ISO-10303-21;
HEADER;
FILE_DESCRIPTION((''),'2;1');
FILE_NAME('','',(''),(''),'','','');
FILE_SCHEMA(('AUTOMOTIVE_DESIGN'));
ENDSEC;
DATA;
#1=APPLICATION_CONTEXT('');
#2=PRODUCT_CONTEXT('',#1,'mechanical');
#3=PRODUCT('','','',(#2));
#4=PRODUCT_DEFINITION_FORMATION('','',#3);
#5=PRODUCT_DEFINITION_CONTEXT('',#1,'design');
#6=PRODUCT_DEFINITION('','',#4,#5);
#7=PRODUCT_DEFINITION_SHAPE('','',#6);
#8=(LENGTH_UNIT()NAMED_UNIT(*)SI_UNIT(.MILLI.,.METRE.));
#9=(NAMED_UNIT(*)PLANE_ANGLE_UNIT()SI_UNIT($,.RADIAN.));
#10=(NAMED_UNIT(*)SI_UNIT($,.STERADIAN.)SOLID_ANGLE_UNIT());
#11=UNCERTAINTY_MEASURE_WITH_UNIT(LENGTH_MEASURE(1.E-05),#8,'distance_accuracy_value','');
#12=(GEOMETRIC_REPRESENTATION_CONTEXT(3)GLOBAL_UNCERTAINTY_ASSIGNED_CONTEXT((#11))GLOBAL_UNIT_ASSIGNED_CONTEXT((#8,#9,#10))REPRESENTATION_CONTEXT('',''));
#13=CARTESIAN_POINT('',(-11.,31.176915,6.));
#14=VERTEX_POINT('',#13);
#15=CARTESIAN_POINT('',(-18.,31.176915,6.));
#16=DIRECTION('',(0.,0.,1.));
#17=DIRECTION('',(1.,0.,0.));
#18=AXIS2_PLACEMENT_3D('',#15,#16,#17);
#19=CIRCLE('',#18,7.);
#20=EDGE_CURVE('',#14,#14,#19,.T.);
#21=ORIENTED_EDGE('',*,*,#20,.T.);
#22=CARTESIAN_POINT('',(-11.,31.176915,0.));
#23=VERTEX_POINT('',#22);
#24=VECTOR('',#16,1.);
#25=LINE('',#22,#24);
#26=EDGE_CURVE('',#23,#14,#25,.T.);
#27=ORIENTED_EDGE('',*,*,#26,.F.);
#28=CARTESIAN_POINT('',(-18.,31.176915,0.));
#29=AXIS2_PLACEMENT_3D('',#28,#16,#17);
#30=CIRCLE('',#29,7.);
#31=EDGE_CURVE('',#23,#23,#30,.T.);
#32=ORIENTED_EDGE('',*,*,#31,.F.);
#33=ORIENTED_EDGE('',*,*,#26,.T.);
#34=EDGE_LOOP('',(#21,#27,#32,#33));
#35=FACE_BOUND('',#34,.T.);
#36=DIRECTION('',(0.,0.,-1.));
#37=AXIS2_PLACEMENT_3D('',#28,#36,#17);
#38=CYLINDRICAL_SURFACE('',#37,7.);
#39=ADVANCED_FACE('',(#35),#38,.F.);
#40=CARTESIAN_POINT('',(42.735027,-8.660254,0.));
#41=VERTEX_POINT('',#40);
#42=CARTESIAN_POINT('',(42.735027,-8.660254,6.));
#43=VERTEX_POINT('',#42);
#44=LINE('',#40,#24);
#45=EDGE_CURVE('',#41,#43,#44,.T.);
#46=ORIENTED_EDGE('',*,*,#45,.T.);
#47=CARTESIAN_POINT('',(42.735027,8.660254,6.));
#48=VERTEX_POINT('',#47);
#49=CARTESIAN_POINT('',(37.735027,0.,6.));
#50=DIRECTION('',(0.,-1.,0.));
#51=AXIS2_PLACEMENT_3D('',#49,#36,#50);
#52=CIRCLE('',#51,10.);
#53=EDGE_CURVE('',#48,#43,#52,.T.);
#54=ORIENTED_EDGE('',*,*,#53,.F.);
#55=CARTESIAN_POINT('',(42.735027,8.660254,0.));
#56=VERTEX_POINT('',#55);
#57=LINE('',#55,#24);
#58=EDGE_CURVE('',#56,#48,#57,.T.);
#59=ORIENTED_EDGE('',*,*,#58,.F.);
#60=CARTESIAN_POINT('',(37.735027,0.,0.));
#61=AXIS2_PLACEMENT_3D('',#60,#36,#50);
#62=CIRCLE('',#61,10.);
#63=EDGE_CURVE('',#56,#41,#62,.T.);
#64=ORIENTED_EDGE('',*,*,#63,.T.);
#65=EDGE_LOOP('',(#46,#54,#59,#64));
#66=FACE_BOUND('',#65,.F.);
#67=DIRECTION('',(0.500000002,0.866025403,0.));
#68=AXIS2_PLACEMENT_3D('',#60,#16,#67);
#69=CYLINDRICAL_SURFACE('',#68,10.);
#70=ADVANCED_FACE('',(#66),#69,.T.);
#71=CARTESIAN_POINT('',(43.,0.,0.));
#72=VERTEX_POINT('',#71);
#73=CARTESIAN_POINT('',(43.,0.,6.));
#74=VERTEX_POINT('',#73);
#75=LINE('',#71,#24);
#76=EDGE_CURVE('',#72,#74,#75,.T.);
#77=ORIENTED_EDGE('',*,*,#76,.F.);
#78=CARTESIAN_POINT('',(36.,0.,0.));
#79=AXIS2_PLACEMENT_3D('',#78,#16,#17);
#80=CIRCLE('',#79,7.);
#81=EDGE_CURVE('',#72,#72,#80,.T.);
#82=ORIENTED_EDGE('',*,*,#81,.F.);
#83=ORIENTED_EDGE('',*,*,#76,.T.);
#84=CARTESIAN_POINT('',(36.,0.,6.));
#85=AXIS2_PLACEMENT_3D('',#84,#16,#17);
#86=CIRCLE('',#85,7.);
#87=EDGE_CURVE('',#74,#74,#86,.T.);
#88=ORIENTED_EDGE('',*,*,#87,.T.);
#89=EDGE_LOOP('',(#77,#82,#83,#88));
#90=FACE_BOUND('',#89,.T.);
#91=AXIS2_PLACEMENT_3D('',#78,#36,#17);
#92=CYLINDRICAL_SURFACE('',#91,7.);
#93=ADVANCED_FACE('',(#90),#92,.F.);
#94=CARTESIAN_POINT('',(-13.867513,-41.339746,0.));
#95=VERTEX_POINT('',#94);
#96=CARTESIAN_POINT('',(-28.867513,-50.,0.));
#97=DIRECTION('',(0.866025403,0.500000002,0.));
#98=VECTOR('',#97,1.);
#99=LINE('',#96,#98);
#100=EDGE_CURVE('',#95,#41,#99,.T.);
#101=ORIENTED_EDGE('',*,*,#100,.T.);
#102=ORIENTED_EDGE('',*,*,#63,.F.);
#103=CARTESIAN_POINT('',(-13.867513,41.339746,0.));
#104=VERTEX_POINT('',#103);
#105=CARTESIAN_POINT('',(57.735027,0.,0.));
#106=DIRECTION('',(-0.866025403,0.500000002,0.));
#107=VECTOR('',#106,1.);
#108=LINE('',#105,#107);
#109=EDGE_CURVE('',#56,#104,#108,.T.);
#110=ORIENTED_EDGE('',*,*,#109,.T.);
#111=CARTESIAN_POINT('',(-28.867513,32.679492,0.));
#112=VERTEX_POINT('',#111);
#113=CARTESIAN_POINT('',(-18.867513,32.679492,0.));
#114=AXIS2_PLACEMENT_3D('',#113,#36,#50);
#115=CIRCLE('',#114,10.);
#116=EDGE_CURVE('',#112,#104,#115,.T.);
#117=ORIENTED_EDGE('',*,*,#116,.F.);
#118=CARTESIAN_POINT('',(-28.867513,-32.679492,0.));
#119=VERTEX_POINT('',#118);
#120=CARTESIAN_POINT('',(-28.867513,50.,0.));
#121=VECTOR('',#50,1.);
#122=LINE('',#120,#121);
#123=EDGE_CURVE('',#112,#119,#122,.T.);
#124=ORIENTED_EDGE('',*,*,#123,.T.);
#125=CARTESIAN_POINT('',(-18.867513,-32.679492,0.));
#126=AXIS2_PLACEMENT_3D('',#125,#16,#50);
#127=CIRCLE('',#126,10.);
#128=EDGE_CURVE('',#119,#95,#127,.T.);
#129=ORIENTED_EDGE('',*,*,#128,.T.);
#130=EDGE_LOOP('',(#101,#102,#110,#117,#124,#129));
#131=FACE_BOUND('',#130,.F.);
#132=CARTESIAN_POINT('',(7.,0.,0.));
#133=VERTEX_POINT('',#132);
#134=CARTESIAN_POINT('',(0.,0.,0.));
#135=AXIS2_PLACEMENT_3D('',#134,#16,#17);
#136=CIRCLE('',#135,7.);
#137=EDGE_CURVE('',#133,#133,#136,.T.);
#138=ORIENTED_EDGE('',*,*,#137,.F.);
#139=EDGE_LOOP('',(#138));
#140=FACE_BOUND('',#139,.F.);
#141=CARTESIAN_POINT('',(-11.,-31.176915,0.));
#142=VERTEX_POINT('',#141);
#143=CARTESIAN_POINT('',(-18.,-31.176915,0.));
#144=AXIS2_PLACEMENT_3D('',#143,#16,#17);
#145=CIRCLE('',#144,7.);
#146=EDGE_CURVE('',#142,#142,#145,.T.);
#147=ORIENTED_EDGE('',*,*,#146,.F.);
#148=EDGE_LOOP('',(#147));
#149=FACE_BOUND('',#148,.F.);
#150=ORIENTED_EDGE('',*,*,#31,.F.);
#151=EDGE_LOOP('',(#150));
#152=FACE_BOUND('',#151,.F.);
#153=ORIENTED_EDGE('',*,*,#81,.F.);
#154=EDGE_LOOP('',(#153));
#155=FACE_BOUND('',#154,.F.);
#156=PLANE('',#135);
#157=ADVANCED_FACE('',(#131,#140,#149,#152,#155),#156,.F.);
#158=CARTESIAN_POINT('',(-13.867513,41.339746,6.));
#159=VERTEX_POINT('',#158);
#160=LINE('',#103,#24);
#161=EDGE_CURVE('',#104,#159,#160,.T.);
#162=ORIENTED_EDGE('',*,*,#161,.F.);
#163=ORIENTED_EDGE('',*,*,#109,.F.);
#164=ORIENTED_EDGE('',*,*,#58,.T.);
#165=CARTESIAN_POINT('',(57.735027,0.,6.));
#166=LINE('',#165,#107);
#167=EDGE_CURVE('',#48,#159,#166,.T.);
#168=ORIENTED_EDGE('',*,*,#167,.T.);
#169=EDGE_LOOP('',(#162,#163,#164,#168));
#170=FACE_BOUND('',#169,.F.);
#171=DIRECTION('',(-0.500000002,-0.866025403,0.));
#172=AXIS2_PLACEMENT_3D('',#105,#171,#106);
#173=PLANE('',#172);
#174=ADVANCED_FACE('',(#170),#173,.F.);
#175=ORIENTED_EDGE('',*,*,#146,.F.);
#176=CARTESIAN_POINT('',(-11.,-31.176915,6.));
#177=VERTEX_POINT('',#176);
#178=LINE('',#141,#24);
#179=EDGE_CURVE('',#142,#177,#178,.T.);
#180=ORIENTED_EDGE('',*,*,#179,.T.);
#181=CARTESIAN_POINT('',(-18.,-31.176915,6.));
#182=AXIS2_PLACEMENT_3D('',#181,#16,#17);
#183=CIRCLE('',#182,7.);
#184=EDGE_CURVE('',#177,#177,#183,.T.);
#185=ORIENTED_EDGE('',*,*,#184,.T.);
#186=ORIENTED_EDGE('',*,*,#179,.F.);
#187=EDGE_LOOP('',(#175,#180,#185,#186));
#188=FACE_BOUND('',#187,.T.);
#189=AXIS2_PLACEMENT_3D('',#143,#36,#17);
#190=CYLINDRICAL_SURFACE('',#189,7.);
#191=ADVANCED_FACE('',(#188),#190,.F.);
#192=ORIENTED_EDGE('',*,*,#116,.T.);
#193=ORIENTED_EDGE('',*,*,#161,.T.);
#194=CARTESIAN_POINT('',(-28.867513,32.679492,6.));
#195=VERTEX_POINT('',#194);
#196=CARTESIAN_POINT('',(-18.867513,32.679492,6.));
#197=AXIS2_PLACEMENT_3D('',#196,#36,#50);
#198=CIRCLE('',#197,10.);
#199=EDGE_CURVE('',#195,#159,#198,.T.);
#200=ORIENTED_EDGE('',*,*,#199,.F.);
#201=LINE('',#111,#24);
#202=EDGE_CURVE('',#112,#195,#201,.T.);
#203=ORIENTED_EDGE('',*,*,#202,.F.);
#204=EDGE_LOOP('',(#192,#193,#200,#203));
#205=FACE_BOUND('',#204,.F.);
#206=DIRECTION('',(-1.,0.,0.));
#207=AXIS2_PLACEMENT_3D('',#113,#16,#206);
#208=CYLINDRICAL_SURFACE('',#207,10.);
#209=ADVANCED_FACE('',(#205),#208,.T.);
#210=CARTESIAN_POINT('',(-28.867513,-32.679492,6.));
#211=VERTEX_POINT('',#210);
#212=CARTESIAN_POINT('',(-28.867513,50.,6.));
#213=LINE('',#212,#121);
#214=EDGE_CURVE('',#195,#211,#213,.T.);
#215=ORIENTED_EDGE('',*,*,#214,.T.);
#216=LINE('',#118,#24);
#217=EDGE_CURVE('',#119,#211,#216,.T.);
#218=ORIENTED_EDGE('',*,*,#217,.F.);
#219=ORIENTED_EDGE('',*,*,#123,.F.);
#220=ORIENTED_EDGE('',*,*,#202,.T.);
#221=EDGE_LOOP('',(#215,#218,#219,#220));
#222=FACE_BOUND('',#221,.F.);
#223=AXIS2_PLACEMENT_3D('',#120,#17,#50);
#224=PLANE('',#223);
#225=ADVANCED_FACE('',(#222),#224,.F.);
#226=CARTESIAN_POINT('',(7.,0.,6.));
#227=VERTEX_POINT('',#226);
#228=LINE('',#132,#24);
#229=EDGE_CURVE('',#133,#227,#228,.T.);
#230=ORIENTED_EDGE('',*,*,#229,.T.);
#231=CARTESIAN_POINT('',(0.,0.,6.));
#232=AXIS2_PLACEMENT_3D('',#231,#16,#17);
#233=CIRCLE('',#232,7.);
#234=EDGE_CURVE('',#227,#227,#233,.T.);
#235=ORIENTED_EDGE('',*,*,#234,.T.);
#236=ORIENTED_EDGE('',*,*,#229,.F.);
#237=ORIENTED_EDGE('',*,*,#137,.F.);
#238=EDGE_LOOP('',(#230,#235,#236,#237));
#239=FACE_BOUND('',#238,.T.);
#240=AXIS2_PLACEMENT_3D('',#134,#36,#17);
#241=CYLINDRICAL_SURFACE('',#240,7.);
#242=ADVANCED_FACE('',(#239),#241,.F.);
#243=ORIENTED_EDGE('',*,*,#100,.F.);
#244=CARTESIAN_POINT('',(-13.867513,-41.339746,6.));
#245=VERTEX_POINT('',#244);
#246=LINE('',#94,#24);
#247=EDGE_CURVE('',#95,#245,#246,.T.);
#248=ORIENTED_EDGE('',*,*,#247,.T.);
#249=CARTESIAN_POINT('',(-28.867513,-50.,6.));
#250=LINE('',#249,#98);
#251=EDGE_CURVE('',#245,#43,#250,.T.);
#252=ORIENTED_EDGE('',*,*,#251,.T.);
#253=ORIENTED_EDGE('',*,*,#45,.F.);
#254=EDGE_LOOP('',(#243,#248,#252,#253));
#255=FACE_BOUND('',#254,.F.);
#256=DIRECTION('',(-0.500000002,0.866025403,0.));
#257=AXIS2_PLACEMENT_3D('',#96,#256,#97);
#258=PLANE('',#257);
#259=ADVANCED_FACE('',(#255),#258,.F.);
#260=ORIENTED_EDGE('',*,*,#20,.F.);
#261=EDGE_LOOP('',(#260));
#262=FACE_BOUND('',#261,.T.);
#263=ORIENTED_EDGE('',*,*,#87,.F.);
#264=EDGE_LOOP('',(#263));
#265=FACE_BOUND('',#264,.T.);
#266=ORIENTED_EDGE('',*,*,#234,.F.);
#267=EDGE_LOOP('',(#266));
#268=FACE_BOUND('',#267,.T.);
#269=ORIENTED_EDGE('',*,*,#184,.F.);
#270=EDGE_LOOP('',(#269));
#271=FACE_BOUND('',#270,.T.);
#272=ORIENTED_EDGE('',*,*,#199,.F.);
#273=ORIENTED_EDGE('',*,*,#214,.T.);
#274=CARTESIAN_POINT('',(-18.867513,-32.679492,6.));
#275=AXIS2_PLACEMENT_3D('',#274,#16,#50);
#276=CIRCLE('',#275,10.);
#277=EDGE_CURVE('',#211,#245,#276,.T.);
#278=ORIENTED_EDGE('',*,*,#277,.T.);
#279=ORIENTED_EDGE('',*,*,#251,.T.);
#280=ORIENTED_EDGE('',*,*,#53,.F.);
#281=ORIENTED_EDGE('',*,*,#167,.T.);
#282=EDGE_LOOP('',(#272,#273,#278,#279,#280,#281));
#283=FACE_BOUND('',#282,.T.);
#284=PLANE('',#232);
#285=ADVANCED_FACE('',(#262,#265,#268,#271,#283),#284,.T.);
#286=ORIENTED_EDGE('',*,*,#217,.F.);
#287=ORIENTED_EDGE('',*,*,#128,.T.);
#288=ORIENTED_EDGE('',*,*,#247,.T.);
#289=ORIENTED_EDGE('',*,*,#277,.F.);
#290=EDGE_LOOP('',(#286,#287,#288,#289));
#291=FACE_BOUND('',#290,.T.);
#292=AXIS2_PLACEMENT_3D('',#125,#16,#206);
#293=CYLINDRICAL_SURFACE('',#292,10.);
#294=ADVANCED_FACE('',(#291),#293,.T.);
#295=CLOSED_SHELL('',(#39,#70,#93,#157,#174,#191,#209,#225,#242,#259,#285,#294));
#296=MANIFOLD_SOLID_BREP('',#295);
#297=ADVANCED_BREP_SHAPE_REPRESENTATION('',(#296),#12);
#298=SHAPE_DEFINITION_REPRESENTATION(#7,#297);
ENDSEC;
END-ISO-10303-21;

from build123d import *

# Parameters (mm, degrees)
F0_R     = 7
F1_DEPTH = 6
F2_R     = 10


with BuildPart() as f1:
    # F0 (on Top) → F1 (new body)
    with BuildSketch(Plane.XY):
        Polygon((-28.867513, 50), (-28.867513, -50), (57.735027, 0), align=None)
        with Locations((-18, -31.176915)):
            Circle(F0_R, mode=Mode.SUBTRACT)
        Circle(F0_R, mode=Mode.SUBTRACT)
        with Locations((-18, 31.176915)):
            Circle(F0_R, mode=Mode.SUBTRACT)
        with Locations((36, 0)):
            Circle(F0_R, mode=Mode.SUBTRACT)
    extrude(amount=F1_DEPTH)

    # F2
    f2_edges = [f1.edges().sort_by_distance(p)[0] for p in [
        (-28.867513, -50, 3),
        (57.735027, 0, 3),
        (-28.867513, 50, 3),
    ]]
    fillet(f2_edges, radius=F2_R)


solid = f1.part
